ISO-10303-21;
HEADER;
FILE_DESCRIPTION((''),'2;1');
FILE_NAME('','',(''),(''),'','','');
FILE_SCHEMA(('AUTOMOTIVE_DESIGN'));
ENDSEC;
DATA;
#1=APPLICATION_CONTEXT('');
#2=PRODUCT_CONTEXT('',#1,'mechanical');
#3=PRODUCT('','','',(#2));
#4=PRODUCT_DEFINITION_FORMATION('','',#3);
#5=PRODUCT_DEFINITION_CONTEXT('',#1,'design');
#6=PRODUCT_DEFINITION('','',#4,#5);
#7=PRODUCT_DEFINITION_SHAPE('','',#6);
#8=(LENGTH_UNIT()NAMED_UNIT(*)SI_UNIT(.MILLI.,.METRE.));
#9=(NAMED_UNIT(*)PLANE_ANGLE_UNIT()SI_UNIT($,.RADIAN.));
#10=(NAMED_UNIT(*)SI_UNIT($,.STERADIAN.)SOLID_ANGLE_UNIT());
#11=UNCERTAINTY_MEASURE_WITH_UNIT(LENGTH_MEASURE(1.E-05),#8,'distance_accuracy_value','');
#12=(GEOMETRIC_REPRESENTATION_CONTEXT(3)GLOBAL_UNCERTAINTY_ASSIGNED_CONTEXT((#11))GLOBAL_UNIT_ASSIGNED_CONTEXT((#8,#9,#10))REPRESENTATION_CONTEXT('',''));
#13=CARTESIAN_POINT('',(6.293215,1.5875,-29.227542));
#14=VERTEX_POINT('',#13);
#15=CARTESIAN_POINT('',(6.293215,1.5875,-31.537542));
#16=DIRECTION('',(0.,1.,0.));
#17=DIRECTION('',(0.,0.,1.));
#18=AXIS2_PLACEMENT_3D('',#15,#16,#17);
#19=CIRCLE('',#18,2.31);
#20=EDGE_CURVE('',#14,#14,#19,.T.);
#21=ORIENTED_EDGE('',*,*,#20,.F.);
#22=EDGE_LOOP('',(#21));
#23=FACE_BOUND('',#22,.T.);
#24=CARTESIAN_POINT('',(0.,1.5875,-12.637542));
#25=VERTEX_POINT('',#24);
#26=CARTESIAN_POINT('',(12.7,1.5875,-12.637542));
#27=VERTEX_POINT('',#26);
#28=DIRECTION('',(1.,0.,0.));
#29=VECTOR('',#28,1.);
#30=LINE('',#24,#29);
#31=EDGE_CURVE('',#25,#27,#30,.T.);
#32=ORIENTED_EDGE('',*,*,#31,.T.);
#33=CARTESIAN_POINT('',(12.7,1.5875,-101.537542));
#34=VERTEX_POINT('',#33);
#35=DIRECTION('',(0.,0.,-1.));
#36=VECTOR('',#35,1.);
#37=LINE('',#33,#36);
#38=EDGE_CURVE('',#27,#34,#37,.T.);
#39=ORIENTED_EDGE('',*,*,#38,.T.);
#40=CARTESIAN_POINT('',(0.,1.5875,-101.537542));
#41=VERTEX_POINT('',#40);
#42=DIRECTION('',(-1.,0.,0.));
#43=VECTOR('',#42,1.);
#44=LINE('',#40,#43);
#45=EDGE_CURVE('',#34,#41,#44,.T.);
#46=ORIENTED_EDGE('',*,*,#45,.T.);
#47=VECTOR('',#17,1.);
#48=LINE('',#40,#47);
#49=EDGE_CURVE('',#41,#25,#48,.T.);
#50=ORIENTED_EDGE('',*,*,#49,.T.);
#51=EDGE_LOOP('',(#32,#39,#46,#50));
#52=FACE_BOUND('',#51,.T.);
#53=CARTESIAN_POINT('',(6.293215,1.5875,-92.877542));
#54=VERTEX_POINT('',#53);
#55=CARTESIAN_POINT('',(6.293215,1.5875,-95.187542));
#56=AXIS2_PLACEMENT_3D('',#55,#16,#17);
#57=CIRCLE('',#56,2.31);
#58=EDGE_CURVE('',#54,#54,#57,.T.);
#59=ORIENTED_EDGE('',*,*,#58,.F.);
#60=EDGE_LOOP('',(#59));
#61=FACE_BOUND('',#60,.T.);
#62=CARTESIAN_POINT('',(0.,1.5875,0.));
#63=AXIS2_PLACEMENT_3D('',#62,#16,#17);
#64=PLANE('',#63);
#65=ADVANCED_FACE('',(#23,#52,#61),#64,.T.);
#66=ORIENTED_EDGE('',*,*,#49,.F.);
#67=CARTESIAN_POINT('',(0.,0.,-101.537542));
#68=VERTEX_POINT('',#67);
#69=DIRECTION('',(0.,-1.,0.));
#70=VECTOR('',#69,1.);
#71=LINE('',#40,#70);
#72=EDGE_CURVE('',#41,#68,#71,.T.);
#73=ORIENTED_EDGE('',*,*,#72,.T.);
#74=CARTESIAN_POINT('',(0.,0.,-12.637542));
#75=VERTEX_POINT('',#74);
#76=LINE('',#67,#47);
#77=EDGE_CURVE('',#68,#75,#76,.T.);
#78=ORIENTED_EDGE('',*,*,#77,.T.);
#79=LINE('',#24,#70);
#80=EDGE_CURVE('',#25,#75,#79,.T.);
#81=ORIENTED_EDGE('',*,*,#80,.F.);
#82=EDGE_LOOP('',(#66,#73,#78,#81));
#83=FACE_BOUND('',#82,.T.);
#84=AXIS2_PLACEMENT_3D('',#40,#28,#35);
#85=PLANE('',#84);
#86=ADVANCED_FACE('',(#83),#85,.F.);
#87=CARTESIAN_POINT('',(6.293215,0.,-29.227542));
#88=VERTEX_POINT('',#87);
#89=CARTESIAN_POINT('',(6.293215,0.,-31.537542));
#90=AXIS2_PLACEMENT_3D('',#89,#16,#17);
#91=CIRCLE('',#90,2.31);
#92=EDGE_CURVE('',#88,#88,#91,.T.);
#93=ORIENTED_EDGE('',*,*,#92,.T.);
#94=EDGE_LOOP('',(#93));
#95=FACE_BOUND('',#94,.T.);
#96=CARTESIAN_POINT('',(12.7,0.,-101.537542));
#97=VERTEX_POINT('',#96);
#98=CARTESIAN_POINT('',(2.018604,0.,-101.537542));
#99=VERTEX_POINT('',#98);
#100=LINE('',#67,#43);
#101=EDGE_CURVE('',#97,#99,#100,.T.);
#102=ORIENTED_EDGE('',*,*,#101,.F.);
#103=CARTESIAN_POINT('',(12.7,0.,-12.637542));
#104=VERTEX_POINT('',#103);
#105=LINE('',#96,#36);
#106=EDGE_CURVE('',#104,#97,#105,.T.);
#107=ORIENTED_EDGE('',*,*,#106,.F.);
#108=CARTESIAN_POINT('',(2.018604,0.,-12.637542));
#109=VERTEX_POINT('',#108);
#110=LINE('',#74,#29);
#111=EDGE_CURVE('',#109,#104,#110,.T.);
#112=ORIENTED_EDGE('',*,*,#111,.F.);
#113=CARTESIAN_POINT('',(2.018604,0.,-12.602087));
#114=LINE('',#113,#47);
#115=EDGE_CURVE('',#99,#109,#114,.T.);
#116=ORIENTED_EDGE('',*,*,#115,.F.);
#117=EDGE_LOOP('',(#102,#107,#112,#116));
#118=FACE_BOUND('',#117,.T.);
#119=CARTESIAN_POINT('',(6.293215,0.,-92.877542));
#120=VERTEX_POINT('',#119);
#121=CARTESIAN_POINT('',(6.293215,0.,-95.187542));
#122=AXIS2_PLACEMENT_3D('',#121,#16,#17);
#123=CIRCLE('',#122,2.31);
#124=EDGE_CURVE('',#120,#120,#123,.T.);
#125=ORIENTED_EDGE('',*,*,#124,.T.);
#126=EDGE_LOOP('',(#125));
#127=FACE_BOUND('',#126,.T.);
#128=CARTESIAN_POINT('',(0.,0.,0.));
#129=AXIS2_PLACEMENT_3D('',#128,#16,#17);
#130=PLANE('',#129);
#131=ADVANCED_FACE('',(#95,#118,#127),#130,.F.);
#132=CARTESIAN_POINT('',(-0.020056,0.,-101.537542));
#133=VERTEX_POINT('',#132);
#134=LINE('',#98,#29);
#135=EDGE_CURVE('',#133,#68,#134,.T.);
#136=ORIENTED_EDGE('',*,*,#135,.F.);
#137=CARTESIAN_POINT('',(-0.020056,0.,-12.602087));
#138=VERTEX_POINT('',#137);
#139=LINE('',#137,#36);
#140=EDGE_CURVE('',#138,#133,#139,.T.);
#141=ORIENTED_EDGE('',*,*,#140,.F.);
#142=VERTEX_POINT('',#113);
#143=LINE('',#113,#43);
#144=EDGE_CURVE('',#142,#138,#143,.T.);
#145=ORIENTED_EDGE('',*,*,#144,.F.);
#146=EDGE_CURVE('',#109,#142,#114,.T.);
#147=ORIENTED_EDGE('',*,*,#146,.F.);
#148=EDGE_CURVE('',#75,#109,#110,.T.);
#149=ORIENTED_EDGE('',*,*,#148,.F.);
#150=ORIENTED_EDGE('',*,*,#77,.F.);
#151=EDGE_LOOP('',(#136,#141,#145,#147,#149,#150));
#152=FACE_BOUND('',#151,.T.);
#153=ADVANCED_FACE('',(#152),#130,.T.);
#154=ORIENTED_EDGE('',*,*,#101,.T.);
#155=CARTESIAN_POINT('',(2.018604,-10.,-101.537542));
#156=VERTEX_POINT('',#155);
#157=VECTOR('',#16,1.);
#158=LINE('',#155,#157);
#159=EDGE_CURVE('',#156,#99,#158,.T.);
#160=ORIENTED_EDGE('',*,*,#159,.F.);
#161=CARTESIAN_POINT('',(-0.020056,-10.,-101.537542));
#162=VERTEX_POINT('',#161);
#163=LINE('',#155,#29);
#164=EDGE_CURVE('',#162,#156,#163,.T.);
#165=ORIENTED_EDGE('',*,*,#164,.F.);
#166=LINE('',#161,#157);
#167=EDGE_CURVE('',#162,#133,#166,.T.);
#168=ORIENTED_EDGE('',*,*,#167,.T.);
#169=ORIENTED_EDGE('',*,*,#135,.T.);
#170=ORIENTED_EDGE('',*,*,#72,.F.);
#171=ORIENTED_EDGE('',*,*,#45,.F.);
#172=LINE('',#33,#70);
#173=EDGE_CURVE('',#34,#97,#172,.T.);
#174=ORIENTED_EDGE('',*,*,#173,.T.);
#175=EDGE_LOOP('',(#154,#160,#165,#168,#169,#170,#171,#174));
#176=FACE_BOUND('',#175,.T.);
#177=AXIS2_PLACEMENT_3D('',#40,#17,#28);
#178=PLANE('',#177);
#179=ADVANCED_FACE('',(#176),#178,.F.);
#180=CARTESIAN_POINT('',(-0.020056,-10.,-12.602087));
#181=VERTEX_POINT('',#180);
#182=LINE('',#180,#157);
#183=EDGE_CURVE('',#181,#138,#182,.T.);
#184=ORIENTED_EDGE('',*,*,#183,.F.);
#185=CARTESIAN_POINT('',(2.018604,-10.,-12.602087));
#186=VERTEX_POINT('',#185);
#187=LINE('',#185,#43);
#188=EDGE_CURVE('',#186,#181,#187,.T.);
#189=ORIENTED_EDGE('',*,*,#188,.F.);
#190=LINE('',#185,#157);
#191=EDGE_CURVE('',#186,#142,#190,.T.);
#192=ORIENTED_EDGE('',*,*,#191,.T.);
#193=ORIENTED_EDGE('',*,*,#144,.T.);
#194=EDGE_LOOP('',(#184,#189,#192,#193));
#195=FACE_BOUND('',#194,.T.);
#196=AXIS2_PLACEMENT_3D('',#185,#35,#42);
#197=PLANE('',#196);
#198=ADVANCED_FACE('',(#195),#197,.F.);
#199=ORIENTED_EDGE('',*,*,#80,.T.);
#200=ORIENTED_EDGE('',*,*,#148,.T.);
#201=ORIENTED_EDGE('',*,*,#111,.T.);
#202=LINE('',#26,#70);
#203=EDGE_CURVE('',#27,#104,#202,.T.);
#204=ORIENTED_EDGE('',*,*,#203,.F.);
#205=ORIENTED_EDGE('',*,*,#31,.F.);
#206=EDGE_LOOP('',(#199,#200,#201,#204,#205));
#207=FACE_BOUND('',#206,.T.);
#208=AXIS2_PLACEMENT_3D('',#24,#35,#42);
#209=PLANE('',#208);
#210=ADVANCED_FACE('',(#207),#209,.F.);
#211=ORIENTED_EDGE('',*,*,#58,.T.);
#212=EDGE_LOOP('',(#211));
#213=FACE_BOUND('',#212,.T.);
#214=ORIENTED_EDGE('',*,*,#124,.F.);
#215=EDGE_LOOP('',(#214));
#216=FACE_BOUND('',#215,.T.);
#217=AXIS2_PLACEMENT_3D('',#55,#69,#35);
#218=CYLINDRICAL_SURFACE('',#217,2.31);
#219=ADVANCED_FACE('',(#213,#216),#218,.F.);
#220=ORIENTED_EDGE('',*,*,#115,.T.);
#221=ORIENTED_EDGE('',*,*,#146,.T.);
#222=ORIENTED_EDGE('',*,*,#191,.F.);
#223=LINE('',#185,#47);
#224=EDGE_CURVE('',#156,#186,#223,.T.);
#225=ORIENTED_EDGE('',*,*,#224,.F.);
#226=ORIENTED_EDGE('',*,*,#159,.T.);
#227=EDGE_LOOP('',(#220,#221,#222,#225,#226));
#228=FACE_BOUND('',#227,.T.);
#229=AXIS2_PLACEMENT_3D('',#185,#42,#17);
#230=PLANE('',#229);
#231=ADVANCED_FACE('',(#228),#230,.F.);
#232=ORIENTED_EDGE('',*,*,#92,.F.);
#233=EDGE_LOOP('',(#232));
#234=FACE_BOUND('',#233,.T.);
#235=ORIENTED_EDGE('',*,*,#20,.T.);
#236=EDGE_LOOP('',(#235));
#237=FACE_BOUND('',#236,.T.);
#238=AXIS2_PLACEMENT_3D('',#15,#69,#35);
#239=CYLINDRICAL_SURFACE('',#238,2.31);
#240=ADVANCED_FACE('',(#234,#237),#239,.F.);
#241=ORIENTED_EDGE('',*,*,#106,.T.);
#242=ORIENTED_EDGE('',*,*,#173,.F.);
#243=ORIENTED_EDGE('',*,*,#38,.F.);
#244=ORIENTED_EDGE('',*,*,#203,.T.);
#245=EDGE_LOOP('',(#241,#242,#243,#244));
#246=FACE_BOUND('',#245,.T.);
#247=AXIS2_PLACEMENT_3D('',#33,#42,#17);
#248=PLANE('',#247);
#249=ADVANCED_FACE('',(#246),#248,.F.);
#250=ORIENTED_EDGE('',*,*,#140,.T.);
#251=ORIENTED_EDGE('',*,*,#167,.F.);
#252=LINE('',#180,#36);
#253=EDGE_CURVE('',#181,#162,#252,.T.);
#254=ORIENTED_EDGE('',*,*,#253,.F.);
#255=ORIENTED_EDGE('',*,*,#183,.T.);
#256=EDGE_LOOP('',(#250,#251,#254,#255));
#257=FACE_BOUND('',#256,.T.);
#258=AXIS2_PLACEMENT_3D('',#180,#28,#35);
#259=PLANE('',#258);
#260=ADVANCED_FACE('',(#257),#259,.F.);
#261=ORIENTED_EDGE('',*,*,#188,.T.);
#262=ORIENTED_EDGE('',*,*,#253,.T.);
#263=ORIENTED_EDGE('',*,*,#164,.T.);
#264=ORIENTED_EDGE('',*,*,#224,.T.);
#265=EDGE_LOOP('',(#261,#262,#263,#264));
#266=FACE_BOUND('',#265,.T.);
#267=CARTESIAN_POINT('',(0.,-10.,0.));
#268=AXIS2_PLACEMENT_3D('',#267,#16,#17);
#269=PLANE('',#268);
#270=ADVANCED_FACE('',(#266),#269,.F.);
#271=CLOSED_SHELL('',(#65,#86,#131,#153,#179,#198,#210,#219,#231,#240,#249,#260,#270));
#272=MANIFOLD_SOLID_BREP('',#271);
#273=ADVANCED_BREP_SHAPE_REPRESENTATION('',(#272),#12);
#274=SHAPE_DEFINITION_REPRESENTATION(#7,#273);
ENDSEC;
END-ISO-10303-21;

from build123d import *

# Parameters (mm, degrees)
SKETCH1_W           = 12.7
SKETCH1_H           = 88.9
SKETCH1_R           = 2.31
BOSS_EXTRUDE1_DEPTH = 1.5875
SKETCH3_W           = 2.038660884
SKETCH3_H           = 88.935455435
BOSS_EXTRUDE3_DEPTH = 10


with BuildPart() as part:
    # Sketch1 → Boss-Extrude1 (new body)
    with BuildSketch(Plane(origin=(0, 0, 0), x_dir=(1, 0, 0), z_dir=(0, 1, 0))):
        with Locations((6.35, 57.087542426)):
            Rectangle(SKETCH1_W, SKETCH1_H)
        with Locations(Location((6.293214881, 95.187542426, 0), (0, 0, 270))):
            Circle(SKETCH1_R, mode=Mode.SUBTRACT)
        with Locations(Location((6.293214881, 31.537542426, 0), (0, 0, 270))):
            Circle(SKETCH1_R, mode=Mode.SUBTRACT)
    extrude(amount=BOSS_EXTRUDE1_DEPTH)

    # Sketch3 → Boss-Extrude3 (add)
    with BuildSketch(Plane(origin=(0, 0, 0), x_dir=(-1, 0, 0), z_dir=(0, -1, 0))):
        with Locations((-0.999274051, 57.069814709)):
            Rectangle(SKETCH3_W, SKETCH3_H)
    extrude(amount=BOSS_EXTRUDE3_DEPTH)


solid = part.part
